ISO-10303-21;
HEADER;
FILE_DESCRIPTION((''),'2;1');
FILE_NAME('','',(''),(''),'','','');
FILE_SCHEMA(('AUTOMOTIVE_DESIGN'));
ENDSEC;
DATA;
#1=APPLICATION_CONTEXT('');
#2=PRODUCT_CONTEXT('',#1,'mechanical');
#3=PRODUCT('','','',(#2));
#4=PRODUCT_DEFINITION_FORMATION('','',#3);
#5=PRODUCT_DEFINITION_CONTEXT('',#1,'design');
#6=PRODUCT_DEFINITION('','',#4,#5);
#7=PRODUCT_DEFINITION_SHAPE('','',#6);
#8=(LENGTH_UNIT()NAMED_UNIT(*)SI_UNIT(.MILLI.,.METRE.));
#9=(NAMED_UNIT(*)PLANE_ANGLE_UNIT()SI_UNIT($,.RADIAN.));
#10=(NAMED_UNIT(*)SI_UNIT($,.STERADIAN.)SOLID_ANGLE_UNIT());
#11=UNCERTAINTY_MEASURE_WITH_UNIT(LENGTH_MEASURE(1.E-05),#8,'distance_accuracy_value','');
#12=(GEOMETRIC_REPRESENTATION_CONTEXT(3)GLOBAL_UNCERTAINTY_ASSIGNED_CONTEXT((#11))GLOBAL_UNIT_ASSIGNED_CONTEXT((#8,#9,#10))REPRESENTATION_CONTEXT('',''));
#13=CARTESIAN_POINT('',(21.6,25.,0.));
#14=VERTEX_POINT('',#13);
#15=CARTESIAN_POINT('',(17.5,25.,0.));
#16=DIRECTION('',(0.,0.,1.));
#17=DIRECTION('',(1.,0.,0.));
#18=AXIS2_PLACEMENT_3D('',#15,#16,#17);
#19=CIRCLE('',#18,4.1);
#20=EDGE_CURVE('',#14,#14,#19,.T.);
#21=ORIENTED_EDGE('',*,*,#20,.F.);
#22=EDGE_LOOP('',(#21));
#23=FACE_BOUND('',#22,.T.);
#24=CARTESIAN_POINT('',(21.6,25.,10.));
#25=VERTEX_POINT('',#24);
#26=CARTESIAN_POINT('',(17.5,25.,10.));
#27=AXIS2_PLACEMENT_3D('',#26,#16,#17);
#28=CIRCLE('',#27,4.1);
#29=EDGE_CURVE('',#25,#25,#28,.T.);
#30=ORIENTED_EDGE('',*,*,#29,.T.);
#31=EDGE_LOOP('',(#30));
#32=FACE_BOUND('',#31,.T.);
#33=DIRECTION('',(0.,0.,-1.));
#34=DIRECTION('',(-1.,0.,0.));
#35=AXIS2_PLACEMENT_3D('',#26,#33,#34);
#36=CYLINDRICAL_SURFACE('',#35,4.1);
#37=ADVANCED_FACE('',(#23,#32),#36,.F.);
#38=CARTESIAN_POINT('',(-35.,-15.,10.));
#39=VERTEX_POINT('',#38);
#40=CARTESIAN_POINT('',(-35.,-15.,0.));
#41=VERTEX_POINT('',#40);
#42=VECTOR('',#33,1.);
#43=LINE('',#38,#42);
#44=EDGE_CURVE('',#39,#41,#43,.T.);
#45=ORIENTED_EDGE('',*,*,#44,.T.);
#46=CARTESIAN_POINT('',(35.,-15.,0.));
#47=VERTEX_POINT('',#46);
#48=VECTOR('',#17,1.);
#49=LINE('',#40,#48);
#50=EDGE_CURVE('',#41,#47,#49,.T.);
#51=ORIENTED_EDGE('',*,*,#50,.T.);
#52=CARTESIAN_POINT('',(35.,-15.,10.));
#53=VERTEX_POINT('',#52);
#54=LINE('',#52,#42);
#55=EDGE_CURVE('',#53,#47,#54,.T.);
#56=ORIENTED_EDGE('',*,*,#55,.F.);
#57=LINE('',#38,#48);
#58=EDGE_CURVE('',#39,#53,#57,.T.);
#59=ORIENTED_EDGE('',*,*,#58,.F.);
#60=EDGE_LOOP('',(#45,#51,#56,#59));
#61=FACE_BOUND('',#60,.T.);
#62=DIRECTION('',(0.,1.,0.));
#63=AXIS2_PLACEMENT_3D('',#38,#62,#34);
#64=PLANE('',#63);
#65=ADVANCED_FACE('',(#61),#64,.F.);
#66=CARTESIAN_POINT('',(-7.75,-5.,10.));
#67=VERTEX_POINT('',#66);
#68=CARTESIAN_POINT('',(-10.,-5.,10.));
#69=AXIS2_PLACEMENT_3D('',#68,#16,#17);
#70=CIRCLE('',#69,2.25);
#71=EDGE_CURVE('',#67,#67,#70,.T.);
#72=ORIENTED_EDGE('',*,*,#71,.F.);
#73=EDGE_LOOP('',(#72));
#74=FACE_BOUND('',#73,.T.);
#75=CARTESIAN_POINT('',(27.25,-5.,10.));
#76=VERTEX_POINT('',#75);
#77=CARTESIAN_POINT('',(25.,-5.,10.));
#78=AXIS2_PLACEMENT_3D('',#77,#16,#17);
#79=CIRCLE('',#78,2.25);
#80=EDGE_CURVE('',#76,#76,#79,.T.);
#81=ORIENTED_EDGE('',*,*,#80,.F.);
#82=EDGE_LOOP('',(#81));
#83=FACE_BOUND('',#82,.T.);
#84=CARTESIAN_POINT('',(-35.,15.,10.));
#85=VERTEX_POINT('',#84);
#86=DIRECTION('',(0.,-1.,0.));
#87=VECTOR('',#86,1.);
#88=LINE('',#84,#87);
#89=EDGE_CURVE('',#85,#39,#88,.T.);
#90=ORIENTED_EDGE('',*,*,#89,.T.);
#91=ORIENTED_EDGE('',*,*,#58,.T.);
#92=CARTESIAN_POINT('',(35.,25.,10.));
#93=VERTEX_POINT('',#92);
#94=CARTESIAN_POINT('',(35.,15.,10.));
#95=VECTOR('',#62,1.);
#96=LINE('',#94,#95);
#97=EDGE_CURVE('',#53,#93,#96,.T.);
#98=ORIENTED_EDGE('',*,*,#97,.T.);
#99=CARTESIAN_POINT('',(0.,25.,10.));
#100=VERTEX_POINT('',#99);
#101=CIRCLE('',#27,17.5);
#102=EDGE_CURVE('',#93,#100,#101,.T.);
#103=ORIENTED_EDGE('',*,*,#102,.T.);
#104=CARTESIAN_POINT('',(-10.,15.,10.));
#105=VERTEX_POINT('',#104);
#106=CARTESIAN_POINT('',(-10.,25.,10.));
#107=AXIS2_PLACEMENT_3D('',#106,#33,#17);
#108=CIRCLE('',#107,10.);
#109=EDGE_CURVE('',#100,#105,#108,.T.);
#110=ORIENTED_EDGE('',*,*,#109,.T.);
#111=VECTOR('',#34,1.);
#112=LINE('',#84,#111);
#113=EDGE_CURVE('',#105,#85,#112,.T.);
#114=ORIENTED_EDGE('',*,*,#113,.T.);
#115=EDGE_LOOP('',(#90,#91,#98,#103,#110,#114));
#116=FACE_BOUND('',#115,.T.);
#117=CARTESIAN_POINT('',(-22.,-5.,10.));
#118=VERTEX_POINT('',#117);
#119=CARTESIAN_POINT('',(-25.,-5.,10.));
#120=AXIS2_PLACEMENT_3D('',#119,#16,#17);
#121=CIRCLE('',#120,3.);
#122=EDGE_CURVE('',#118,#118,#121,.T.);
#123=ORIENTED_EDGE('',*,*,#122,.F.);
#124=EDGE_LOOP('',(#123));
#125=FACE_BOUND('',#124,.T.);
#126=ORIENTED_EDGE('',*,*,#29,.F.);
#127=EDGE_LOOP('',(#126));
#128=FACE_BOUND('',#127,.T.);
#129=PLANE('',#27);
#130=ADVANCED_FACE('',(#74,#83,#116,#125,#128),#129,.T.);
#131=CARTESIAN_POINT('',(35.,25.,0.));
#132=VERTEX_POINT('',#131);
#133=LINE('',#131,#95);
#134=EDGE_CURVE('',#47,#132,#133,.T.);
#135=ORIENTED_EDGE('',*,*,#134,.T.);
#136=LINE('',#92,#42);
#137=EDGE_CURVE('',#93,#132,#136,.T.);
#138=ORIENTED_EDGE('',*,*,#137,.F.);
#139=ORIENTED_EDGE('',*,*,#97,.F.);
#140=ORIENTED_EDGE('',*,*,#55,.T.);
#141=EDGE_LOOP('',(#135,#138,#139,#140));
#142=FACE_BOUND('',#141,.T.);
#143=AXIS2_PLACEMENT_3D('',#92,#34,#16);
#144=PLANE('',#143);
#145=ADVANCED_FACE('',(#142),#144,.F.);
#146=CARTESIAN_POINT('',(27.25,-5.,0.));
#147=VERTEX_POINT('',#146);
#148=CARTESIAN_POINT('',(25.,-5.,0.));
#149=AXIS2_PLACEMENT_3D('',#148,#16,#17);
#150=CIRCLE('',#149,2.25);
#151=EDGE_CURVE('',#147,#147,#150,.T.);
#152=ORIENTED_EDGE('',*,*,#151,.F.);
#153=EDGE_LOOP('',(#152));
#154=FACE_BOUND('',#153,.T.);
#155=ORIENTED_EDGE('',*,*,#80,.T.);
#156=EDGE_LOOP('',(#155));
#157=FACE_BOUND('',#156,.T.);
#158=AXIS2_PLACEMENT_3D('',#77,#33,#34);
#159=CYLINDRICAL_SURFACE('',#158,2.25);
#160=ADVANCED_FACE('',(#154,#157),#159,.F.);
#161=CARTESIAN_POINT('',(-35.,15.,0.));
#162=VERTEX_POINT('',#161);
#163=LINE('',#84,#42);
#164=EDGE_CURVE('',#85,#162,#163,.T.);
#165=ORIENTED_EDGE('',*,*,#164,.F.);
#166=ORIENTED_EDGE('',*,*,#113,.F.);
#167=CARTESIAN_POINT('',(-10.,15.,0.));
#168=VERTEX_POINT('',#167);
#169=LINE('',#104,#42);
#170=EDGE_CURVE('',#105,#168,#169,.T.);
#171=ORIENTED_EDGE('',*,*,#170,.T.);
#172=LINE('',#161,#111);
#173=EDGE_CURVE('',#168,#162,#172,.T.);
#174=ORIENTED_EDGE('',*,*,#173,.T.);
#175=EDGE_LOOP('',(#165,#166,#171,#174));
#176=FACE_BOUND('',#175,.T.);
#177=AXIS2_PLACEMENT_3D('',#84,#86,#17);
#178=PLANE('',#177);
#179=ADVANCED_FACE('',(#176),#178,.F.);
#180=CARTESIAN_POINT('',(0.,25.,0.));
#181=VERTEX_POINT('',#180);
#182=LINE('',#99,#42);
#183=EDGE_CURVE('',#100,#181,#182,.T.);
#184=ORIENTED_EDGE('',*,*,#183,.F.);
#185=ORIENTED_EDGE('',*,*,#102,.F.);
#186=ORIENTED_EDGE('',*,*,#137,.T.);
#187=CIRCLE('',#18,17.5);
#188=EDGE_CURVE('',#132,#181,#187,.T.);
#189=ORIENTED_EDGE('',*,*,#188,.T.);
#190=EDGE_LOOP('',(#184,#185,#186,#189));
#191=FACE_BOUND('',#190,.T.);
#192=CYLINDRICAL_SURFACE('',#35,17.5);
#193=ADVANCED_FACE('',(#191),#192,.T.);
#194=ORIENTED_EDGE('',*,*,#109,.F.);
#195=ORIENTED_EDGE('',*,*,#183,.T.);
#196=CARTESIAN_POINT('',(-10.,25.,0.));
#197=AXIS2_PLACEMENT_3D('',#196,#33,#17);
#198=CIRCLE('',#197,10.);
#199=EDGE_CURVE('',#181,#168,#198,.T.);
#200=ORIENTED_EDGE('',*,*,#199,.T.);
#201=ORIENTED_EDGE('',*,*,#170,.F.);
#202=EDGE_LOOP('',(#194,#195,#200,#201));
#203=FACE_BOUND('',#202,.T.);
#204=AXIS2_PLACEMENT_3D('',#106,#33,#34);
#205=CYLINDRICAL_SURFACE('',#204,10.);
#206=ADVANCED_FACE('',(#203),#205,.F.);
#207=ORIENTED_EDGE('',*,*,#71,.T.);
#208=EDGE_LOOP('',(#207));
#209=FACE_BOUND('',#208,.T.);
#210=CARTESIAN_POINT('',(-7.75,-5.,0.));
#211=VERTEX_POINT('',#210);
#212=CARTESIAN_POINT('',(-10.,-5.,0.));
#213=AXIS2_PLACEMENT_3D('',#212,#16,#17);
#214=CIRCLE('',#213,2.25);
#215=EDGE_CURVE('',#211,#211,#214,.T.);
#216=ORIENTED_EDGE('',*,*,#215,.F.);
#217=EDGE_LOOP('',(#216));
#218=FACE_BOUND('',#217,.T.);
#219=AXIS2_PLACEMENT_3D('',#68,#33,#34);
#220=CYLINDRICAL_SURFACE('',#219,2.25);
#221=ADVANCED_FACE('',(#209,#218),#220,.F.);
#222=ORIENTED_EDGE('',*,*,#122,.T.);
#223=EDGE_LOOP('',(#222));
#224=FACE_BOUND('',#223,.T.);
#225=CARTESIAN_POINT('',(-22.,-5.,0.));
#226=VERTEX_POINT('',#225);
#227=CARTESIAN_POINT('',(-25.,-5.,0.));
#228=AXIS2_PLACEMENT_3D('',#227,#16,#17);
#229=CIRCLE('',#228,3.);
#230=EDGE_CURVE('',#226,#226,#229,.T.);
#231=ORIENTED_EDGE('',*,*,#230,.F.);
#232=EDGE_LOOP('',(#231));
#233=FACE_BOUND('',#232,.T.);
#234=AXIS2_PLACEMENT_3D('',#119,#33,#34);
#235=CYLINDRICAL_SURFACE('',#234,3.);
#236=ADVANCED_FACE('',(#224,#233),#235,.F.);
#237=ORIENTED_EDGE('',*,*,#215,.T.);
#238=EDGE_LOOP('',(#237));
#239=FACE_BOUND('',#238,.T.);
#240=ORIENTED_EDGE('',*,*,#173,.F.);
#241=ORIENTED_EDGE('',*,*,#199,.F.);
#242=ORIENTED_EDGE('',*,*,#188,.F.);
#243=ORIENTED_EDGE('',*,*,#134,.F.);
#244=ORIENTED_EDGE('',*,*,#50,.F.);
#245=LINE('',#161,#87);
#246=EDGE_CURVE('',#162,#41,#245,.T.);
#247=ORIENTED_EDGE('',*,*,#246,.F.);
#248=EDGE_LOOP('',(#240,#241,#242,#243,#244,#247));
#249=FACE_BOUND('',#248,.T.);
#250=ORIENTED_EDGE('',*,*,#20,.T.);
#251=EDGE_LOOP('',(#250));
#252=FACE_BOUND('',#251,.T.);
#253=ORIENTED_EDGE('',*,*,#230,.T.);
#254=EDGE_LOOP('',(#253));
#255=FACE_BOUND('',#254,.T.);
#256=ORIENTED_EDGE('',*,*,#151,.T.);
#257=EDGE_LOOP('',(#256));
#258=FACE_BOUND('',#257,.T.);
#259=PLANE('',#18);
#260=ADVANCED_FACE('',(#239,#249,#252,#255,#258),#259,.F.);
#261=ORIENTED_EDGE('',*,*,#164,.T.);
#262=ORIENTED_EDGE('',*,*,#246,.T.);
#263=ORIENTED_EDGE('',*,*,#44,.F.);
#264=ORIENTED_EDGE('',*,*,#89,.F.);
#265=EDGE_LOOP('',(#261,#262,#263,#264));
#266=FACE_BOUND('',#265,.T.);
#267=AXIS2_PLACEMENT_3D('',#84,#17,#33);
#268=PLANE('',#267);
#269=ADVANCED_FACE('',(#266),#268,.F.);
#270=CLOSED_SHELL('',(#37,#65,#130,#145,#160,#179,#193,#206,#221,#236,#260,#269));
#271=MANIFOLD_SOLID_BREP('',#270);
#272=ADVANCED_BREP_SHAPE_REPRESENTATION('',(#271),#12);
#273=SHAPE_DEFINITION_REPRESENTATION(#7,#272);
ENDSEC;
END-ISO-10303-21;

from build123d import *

# Parameters (mm, degrees)
SKETCH_2_R      = 4.1
SKETCH_2_R_2    = 3
SKETCH_2_R_3    = 2.25
EXTRUDE_1_DEPTH = 10


with BuildPart() as part:
    # 草图2 → 凸台-拉伸1 (new body)
    with BuildSketch(Plane.XY):
        with BuildLine():
            Line((-35, 15), (-10, 15))
            ThreePointArc((-10, 15), (-2.928932188, 17.928932188), (0, 25))
            ThreePointArc((0, 25), (17.5, 42.5), (35, 25))
            Line((35, 25), (35, 15))
            Line((35, 15), (35, -15))
            Line((35, -15), (-35, -15))
            Line((-35, -15), (-35, 15))
        make_face()
        with Locations((17.5, 25)):
            Circle(SKETCH_2_R, mode=Mode.SUBTRACT)
        with Locations((-25, -5)):
            Circle(SKETCH_2_R_2, mode=Mode.SUBTRACT)
        with Locations((-10, -5)):
            Circle(SKETCH_2_R_3, mode=Mode.SUBTRACT)
        with Locations((25, -5)):
            Circle(SKETCH_2_R_3, mode=Mode.SUBTRACT)
    extrude(amount=EXTRUDE_1_DEPTH)


solid = part.part
